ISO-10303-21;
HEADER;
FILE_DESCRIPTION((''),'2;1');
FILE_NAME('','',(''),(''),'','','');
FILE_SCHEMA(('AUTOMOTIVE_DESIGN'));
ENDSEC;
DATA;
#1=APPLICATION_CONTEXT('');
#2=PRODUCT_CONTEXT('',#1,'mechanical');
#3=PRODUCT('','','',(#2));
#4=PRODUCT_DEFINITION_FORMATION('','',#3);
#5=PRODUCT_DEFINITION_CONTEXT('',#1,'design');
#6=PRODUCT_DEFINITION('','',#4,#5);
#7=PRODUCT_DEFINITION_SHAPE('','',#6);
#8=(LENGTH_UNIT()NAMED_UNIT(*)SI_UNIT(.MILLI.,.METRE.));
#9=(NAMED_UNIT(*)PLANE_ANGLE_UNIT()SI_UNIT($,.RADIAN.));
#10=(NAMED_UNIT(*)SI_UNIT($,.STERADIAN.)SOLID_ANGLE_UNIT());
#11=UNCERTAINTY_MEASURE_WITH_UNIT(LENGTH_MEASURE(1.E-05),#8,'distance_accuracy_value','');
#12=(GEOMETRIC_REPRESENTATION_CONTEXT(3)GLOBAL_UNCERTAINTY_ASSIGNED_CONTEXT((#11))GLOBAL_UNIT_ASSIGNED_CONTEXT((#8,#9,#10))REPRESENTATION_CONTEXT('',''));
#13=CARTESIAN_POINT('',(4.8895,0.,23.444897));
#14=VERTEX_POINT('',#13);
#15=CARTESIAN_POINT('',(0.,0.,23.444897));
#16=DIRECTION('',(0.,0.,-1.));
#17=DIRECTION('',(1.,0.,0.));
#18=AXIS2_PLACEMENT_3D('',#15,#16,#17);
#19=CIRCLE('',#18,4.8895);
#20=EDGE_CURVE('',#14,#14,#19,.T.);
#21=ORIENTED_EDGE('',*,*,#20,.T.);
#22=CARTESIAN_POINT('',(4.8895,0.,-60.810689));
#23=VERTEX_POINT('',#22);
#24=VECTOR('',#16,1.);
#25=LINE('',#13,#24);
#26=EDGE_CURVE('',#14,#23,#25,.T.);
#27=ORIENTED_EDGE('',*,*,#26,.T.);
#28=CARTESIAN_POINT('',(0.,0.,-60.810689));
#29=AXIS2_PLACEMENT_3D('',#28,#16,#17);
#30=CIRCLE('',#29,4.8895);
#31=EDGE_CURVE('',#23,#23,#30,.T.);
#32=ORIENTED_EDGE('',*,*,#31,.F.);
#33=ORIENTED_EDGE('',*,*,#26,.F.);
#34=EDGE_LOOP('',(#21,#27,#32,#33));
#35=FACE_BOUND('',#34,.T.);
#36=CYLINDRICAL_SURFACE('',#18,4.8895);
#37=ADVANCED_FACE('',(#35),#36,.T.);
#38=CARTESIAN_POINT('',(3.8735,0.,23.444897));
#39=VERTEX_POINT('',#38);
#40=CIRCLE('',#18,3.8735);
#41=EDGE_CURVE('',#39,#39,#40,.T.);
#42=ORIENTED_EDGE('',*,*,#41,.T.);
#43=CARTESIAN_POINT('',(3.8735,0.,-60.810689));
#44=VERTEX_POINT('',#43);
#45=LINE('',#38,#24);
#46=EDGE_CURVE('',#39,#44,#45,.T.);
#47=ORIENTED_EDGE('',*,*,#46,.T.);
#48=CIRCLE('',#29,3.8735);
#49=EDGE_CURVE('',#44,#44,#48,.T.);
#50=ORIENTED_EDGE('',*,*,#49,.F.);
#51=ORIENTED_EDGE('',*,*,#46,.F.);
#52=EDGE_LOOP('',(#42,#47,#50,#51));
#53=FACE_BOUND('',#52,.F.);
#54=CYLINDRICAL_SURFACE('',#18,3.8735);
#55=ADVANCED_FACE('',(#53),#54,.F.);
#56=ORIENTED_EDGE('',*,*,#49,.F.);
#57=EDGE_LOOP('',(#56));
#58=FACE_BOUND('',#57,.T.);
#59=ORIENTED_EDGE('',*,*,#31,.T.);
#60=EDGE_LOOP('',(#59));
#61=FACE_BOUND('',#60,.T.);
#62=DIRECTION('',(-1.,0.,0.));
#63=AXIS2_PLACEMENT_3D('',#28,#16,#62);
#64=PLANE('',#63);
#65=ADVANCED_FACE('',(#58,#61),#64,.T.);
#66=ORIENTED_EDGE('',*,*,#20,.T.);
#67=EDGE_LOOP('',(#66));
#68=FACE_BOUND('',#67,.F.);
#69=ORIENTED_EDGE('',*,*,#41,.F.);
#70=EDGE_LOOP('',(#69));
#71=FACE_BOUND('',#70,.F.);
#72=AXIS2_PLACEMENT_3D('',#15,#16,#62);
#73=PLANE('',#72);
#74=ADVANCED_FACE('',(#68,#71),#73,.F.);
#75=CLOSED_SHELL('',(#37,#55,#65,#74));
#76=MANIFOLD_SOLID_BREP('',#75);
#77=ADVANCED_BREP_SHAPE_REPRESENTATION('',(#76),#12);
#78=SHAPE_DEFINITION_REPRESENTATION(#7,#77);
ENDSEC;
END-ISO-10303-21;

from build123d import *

# Parameters (mm, degrees)
F2_R   = 4.8895
F2_R_2 = 3.8735


with BuildPart() as f3:
    # F3: sweep along a path in F0
    with BuildLine(Plane.YZ) as f3_path:
        Line((0, 23.444897), (0, -60.810689))
    # F2 (on face) → F3 (sweep)
    with BuildSketch(Plane(origin=(0, 0, 23.444897), x_dir=(1, 0, 0), z_dir=(0, 0, -1))):
        Circle(F2_R)
        Circle(F2_R_2, mode=Mode.SUBTRACT)
    sweep(path=f3_path.line)


solid = f3.part
